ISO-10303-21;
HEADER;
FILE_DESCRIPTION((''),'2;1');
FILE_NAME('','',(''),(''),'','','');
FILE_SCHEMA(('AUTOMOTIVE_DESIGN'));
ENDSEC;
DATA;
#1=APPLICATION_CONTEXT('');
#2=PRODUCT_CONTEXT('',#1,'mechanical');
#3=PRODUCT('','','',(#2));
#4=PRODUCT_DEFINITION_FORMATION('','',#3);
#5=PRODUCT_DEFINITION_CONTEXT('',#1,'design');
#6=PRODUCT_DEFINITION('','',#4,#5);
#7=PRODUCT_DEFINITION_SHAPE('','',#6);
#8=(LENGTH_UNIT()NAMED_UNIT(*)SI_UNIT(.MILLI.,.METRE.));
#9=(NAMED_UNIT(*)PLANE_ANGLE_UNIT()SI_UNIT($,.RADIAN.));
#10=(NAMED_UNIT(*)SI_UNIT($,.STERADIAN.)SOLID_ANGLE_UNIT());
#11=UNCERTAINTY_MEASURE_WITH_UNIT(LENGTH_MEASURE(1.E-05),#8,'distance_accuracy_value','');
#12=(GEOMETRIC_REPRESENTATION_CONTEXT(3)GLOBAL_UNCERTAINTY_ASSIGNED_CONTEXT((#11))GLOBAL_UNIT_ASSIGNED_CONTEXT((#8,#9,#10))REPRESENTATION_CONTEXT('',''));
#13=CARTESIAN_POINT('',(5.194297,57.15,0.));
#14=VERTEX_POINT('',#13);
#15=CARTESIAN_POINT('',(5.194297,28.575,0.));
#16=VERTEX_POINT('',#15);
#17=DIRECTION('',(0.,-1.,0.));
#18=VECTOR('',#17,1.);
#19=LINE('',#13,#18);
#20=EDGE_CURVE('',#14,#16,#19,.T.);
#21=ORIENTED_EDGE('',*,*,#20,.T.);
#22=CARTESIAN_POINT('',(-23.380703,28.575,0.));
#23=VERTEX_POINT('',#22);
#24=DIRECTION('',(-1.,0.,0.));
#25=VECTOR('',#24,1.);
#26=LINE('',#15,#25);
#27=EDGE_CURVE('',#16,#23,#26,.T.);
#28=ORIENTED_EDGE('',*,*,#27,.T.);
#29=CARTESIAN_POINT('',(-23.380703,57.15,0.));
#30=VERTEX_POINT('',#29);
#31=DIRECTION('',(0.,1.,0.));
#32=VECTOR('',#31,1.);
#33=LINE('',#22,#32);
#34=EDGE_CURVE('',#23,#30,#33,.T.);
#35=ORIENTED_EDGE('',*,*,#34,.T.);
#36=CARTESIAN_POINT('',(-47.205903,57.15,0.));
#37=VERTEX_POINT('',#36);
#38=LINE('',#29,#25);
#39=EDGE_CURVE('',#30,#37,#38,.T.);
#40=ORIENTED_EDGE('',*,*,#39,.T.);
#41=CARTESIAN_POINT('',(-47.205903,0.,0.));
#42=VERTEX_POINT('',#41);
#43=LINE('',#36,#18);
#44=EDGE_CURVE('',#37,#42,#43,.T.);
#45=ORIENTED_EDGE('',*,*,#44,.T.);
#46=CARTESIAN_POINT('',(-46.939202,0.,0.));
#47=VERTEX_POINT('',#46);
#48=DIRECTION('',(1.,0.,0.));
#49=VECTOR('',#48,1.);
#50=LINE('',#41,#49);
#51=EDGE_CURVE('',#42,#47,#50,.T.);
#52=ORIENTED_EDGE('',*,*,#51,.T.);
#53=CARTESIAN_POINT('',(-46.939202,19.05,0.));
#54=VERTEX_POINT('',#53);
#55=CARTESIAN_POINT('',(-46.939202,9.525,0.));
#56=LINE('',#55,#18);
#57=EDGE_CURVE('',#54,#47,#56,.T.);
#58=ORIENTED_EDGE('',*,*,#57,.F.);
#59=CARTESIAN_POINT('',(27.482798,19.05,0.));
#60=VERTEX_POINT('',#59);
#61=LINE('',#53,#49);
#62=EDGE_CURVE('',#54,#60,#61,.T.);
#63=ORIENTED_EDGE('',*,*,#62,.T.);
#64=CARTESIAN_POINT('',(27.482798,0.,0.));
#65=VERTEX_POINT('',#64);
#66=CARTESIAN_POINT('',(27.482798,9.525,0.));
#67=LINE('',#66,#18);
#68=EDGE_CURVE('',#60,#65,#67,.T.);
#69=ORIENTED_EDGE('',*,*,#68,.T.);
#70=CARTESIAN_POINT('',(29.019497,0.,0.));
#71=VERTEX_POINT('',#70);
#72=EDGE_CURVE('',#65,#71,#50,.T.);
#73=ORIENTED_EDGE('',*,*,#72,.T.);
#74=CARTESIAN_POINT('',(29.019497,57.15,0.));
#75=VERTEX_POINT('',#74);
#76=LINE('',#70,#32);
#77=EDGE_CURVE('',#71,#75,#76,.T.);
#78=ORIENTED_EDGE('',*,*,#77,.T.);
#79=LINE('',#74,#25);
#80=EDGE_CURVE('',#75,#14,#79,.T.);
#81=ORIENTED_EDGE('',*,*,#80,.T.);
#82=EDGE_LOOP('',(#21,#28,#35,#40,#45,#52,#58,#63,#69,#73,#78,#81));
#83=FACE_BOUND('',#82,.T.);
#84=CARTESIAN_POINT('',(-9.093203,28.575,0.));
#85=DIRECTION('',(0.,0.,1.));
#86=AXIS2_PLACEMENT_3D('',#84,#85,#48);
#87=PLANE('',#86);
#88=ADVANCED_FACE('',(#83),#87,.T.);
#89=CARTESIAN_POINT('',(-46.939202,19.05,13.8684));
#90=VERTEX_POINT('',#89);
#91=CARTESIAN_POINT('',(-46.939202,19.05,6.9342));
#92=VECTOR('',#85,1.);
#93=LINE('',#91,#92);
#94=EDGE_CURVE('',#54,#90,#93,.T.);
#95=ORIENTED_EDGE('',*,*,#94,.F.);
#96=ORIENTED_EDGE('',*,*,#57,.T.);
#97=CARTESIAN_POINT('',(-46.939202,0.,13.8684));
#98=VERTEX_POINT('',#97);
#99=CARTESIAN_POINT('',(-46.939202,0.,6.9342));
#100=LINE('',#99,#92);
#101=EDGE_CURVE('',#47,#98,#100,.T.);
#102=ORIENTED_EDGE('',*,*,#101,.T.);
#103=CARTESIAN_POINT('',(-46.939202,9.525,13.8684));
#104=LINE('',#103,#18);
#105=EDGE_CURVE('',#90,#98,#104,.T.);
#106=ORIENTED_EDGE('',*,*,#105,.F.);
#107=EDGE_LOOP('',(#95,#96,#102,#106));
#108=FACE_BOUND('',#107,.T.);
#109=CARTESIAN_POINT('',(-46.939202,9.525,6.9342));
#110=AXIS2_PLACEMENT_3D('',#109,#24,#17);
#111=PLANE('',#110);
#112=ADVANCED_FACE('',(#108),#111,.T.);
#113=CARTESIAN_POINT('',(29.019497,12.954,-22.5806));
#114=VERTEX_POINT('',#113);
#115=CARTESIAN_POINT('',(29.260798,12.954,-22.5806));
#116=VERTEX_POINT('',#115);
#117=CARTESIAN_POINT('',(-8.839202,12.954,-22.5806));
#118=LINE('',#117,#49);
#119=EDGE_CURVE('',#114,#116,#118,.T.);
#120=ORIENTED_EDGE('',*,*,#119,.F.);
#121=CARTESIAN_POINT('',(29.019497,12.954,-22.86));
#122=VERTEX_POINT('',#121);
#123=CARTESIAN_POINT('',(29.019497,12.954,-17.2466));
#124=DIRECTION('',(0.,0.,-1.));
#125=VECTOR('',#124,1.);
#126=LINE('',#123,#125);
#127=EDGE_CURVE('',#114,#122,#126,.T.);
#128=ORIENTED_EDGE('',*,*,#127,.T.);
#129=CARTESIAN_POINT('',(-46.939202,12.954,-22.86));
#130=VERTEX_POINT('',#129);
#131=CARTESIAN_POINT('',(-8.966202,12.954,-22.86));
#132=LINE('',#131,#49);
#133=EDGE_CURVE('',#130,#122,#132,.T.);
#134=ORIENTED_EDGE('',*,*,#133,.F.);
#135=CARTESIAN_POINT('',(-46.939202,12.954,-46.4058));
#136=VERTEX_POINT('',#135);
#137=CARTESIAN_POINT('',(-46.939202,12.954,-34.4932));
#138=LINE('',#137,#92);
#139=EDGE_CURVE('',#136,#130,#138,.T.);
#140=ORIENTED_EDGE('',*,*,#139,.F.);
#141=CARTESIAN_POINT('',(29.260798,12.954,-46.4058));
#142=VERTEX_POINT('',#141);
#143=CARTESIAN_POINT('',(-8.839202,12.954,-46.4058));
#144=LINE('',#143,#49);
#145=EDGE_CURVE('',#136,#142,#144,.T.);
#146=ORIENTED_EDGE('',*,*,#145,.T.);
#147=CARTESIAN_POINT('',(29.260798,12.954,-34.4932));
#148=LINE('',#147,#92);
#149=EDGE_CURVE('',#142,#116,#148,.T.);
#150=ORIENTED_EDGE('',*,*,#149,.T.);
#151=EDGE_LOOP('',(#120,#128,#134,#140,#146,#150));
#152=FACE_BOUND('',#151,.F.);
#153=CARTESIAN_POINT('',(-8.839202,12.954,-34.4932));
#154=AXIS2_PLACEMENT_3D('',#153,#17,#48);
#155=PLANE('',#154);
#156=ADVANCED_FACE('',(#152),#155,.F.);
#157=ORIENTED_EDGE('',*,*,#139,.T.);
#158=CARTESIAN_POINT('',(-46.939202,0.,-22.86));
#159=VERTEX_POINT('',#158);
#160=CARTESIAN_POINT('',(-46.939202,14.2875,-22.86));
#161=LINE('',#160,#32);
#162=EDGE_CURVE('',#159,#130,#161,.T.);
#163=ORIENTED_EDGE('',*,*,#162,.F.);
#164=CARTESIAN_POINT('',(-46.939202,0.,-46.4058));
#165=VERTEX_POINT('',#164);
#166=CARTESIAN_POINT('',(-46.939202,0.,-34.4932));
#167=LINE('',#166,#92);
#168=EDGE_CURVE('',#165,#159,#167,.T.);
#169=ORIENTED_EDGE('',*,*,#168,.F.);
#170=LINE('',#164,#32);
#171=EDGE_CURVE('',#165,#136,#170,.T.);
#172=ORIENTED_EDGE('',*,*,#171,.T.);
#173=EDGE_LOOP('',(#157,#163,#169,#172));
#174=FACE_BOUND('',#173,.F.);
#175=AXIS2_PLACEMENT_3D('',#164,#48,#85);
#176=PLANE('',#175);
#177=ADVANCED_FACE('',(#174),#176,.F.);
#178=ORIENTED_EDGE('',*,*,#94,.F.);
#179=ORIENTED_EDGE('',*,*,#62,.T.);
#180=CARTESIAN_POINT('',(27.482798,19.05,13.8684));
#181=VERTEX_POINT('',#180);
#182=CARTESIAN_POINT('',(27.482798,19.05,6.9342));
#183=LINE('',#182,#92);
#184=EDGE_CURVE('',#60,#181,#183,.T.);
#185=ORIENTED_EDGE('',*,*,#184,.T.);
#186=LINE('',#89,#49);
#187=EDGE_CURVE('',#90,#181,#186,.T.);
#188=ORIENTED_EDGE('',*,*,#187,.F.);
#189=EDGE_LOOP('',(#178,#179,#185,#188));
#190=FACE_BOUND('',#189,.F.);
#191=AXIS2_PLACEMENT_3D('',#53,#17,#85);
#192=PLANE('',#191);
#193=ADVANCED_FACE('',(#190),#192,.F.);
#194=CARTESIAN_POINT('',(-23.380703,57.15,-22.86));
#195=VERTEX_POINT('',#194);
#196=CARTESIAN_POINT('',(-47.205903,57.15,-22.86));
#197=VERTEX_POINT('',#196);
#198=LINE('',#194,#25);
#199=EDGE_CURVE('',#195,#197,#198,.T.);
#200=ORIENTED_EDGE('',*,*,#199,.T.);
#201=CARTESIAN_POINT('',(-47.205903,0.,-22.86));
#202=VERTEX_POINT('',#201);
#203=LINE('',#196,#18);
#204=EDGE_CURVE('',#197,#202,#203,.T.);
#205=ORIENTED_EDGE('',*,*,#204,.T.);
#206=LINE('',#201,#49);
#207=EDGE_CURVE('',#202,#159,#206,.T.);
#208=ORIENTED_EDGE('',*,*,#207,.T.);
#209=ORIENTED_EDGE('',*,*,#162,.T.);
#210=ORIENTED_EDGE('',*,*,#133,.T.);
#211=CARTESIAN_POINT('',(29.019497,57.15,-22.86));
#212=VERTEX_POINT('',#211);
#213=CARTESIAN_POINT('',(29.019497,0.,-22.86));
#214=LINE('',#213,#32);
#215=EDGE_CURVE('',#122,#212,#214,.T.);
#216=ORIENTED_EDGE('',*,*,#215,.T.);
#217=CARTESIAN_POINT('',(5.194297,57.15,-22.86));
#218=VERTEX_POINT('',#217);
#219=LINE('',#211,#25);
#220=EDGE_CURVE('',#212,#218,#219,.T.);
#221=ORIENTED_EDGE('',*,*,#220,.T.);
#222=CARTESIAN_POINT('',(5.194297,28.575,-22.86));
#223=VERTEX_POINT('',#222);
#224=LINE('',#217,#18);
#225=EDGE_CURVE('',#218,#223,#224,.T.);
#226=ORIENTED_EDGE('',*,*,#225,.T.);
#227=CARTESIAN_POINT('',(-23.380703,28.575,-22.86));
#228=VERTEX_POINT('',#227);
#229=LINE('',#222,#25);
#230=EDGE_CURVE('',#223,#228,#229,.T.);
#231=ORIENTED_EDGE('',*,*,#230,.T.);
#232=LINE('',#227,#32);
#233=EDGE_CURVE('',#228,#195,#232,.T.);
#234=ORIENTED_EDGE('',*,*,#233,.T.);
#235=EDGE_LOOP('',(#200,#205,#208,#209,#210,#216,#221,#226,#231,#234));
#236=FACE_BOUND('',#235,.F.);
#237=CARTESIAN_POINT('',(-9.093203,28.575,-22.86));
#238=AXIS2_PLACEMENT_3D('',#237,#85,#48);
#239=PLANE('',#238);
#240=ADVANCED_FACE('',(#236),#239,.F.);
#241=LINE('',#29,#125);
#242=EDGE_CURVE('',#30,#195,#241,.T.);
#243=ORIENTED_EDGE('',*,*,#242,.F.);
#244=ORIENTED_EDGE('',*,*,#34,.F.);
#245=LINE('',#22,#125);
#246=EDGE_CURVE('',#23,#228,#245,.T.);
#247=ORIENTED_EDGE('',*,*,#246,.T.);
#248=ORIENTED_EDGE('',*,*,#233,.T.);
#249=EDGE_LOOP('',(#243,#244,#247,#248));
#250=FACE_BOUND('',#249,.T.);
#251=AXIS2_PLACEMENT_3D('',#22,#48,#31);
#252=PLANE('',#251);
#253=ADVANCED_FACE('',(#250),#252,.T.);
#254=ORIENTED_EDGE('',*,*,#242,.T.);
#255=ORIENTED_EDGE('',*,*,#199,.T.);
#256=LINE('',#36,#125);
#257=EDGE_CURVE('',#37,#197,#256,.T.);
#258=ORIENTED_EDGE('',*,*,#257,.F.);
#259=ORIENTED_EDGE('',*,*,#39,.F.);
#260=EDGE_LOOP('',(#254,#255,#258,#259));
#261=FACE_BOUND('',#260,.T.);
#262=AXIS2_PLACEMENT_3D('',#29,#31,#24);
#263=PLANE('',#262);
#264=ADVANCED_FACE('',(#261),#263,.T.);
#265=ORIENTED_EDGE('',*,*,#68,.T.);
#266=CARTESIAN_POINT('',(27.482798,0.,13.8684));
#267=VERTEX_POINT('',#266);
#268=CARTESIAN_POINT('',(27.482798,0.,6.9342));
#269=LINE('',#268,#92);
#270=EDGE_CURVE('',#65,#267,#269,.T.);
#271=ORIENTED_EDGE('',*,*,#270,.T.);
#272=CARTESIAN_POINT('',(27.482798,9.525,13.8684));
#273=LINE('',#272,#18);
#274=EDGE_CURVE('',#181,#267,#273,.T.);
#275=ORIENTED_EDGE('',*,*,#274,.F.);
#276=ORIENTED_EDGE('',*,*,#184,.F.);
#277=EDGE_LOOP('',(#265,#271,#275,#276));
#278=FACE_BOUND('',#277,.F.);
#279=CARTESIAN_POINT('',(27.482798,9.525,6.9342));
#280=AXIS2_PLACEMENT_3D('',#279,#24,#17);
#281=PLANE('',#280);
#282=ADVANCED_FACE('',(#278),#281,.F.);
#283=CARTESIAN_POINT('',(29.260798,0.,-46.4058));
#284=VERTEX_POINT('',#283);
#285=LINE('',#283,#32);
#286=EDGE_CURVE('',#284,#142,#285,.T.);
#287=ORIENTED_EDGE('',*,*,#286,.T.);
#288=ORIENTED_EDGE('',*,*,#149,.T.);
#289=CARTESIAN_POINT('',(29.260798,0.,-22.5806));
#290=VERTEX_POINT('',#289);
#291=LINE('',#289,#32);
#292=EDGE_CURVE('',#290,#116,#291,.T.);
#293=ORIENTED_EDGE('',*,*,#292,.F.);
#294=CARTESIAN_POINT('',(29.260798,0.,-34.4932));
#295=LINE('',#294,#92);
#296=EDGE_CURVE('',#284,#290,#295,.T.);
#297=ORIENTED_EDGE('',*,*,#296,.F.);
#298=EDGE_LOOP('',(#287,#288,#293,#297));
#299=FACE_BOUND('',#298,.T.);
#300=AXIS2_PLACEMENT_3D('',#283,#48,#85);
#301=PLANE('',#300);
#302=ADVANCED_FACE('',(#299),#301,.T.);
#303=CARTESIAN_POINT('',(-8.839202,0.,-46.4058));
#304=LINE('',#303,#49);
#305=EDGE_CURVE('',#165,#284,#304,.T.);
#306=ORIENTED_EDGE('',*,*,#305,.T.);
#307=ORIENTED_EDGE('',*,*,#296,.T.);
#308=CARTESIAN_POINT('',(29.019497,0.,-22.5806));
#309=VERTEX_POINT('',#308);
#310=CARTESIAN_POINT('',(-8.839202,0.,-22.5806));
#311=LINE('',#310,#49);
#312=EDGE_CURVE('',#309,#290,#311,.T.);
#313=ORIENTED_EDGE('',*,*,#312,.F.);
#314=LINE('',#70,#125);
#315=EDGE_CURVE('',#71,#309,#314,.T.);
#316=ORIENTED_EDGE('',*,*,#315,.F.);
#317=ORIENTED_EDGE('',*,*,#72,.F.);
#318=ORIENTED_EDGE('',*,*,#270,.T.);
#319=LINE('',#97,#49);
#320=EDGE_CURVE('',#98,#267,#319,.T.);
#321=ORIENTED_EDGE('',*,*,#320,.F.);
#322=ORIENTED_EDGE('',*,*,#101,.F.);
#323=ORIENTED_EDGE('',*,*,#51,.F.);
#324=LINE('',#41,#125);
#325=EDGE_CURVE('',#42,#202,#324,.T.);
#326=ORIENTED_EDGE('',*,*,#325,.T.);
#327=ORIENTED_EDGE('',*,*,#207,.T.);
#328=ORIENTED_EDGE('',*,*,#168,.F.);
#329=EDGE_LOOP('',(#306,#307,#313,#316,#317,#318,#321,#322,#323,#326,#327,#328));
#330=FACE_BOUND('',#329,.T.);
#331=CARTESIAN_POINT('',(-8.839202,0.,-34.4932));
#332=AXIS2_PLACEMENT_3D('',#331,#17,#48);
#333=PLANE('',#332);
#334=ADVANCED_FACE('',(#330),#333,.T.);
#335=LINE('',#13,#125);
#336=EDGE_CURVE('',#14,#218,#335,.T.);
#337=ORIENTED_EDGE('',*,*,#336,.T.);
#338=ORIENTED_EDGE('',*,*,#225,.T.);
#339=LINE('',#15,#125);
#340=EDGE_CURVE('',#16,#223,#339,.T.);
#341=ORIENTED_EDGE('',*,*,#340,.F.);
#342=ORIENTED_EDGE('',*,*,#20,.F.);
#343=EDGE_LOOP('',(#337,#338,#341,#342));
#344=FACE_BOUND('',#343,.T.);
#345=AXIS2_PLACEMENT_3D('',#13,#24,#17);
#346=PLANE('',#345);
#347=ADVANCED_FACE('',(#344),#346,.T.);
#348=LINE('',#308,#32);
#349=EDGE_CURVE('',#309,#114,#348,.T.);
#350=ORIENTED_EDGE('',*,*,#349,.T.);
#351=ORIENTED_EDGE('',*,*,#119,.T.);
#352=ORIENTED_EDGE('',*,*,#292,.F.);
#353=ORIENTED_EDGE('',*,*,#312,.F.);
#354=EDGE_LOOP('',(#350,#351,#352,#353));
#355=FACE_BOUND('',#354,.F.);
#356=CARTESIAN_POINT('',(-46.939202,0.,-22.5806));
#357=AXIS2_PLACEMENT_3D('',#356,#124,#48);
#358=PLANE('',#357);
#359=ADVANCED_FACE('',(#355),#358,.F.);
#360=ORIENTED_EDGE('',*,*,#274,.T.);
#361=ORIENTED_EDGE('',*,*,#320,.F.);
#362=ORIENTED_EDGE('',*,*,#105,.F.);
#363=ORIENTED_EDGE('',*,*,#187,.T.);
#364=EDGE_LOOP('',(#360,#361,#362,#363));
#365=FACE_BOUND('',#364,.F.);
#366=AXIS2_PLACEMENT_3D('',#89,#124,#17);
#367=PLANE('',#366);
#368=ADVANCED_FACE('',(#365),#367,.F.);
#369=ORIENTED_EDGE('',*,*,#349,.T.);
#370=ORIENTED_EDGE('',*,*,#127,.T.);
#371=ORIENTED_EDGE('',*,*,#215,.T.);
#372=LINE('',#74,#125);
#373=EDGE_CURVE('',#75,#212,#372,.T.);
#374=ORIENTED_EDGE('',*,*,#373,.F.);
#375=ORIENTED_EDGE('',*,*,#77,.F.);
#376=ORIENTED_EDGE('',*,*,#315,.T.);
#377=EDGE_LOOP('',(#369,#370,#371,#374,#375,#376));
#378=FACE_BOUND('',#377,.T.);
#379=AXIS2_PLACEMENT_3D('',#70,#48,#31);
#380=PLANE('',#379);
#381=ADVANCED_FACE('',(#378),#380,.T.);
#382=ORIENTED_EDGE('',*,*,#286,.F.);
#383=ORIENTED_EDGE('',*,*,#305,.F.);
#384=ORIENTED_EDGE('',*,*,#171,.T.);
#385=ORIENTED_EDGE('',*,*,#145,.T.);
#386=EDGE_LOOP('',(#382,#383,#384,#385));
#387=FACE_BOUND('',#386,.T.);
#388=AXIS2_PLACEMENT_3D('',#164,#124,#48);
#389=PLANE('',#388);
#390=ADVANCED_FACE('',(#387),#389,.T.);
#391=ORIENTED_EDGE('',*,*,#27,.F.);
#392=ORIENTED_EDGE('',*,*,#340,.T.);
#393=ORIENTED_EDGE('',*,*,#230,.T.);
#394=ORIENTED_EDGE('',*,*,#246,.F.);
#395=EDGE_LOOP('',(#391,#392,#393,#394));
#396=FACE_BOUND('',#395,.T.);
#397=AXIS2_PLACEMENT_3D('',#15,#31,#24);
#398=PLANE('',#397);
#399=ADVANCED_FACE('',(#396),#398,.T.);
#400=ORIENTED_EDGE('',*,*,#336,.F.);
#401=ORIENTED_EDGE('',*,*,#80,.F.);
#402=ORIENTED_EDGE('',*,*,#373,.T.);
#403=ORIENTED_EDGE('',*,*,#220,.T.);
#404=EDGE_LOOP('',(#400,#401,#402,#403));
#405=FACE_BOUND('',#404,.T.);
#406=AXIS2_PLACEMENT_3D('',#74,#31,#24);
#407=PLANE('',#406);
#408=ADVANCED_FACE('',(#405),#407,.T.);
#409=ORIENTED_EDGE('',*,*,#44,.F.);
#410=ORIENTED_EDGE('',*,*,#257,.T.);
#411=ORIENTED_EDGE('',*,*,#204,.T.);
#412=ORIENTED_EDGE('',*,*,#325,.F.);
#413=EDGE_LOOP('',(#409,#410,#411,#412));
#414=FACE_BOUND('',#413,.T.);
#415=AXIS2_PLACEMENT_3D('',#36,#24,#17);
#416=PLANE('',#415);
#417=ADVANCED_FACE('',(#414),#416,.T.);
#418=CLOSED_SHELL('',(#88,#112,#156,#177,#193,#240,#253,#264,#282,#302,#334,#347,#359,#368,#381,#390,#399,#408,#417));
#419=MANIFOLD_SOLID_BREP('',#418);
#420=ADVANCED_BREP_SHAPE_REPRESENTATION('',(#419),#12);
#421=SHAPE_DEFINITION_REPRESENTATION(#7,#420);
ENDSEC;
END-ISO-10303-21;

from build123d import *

# Parameters (mm, degrees)
F2_DEPTH = 22.86
F0_W     = 76.2
F0_H     = 23.8252
F3_DEPTH = 12.954
F4_W     = 19.05
F4_H     = 13.8684
F5_DEPTH = 74.422


with BuildPart() as f2:
    # F1 (on Top) → F2 (new body)
    with BuildSketch(Plane.XY):
        Polygon((-47.205903, 57.15), (-47.205903, 0), (29.019497, 0), (29.019497, 57.15), (5.194297, 57.15), (5.194297, 28.575), (-23.380703, 28.575), (-23.380703, 57.15), align=None)
    extrude(amount=-F2_DEPTH)

    # F0 (on Front) → F3 (join)
    with BuildSketch(Plane.XZ):
        with Locations((-8.839202, -34.4932)):
            Rectangle(F0_W, F0_H)
    extrude(amount=-F3_DEPTH)

    # F4 (on face) → F5 (join)
    with BuildSketch(Plane(origin=(-46.939202, 0, 0), x_dir=(0, -1, 0), z_dir=(-1, 0, 0))):
        with Locations((-9.525, 6.9342)):
            Rectangle(F4_W, F4_H)
    extrude(amount=-F5_DEPTH)


solid = f2.part
